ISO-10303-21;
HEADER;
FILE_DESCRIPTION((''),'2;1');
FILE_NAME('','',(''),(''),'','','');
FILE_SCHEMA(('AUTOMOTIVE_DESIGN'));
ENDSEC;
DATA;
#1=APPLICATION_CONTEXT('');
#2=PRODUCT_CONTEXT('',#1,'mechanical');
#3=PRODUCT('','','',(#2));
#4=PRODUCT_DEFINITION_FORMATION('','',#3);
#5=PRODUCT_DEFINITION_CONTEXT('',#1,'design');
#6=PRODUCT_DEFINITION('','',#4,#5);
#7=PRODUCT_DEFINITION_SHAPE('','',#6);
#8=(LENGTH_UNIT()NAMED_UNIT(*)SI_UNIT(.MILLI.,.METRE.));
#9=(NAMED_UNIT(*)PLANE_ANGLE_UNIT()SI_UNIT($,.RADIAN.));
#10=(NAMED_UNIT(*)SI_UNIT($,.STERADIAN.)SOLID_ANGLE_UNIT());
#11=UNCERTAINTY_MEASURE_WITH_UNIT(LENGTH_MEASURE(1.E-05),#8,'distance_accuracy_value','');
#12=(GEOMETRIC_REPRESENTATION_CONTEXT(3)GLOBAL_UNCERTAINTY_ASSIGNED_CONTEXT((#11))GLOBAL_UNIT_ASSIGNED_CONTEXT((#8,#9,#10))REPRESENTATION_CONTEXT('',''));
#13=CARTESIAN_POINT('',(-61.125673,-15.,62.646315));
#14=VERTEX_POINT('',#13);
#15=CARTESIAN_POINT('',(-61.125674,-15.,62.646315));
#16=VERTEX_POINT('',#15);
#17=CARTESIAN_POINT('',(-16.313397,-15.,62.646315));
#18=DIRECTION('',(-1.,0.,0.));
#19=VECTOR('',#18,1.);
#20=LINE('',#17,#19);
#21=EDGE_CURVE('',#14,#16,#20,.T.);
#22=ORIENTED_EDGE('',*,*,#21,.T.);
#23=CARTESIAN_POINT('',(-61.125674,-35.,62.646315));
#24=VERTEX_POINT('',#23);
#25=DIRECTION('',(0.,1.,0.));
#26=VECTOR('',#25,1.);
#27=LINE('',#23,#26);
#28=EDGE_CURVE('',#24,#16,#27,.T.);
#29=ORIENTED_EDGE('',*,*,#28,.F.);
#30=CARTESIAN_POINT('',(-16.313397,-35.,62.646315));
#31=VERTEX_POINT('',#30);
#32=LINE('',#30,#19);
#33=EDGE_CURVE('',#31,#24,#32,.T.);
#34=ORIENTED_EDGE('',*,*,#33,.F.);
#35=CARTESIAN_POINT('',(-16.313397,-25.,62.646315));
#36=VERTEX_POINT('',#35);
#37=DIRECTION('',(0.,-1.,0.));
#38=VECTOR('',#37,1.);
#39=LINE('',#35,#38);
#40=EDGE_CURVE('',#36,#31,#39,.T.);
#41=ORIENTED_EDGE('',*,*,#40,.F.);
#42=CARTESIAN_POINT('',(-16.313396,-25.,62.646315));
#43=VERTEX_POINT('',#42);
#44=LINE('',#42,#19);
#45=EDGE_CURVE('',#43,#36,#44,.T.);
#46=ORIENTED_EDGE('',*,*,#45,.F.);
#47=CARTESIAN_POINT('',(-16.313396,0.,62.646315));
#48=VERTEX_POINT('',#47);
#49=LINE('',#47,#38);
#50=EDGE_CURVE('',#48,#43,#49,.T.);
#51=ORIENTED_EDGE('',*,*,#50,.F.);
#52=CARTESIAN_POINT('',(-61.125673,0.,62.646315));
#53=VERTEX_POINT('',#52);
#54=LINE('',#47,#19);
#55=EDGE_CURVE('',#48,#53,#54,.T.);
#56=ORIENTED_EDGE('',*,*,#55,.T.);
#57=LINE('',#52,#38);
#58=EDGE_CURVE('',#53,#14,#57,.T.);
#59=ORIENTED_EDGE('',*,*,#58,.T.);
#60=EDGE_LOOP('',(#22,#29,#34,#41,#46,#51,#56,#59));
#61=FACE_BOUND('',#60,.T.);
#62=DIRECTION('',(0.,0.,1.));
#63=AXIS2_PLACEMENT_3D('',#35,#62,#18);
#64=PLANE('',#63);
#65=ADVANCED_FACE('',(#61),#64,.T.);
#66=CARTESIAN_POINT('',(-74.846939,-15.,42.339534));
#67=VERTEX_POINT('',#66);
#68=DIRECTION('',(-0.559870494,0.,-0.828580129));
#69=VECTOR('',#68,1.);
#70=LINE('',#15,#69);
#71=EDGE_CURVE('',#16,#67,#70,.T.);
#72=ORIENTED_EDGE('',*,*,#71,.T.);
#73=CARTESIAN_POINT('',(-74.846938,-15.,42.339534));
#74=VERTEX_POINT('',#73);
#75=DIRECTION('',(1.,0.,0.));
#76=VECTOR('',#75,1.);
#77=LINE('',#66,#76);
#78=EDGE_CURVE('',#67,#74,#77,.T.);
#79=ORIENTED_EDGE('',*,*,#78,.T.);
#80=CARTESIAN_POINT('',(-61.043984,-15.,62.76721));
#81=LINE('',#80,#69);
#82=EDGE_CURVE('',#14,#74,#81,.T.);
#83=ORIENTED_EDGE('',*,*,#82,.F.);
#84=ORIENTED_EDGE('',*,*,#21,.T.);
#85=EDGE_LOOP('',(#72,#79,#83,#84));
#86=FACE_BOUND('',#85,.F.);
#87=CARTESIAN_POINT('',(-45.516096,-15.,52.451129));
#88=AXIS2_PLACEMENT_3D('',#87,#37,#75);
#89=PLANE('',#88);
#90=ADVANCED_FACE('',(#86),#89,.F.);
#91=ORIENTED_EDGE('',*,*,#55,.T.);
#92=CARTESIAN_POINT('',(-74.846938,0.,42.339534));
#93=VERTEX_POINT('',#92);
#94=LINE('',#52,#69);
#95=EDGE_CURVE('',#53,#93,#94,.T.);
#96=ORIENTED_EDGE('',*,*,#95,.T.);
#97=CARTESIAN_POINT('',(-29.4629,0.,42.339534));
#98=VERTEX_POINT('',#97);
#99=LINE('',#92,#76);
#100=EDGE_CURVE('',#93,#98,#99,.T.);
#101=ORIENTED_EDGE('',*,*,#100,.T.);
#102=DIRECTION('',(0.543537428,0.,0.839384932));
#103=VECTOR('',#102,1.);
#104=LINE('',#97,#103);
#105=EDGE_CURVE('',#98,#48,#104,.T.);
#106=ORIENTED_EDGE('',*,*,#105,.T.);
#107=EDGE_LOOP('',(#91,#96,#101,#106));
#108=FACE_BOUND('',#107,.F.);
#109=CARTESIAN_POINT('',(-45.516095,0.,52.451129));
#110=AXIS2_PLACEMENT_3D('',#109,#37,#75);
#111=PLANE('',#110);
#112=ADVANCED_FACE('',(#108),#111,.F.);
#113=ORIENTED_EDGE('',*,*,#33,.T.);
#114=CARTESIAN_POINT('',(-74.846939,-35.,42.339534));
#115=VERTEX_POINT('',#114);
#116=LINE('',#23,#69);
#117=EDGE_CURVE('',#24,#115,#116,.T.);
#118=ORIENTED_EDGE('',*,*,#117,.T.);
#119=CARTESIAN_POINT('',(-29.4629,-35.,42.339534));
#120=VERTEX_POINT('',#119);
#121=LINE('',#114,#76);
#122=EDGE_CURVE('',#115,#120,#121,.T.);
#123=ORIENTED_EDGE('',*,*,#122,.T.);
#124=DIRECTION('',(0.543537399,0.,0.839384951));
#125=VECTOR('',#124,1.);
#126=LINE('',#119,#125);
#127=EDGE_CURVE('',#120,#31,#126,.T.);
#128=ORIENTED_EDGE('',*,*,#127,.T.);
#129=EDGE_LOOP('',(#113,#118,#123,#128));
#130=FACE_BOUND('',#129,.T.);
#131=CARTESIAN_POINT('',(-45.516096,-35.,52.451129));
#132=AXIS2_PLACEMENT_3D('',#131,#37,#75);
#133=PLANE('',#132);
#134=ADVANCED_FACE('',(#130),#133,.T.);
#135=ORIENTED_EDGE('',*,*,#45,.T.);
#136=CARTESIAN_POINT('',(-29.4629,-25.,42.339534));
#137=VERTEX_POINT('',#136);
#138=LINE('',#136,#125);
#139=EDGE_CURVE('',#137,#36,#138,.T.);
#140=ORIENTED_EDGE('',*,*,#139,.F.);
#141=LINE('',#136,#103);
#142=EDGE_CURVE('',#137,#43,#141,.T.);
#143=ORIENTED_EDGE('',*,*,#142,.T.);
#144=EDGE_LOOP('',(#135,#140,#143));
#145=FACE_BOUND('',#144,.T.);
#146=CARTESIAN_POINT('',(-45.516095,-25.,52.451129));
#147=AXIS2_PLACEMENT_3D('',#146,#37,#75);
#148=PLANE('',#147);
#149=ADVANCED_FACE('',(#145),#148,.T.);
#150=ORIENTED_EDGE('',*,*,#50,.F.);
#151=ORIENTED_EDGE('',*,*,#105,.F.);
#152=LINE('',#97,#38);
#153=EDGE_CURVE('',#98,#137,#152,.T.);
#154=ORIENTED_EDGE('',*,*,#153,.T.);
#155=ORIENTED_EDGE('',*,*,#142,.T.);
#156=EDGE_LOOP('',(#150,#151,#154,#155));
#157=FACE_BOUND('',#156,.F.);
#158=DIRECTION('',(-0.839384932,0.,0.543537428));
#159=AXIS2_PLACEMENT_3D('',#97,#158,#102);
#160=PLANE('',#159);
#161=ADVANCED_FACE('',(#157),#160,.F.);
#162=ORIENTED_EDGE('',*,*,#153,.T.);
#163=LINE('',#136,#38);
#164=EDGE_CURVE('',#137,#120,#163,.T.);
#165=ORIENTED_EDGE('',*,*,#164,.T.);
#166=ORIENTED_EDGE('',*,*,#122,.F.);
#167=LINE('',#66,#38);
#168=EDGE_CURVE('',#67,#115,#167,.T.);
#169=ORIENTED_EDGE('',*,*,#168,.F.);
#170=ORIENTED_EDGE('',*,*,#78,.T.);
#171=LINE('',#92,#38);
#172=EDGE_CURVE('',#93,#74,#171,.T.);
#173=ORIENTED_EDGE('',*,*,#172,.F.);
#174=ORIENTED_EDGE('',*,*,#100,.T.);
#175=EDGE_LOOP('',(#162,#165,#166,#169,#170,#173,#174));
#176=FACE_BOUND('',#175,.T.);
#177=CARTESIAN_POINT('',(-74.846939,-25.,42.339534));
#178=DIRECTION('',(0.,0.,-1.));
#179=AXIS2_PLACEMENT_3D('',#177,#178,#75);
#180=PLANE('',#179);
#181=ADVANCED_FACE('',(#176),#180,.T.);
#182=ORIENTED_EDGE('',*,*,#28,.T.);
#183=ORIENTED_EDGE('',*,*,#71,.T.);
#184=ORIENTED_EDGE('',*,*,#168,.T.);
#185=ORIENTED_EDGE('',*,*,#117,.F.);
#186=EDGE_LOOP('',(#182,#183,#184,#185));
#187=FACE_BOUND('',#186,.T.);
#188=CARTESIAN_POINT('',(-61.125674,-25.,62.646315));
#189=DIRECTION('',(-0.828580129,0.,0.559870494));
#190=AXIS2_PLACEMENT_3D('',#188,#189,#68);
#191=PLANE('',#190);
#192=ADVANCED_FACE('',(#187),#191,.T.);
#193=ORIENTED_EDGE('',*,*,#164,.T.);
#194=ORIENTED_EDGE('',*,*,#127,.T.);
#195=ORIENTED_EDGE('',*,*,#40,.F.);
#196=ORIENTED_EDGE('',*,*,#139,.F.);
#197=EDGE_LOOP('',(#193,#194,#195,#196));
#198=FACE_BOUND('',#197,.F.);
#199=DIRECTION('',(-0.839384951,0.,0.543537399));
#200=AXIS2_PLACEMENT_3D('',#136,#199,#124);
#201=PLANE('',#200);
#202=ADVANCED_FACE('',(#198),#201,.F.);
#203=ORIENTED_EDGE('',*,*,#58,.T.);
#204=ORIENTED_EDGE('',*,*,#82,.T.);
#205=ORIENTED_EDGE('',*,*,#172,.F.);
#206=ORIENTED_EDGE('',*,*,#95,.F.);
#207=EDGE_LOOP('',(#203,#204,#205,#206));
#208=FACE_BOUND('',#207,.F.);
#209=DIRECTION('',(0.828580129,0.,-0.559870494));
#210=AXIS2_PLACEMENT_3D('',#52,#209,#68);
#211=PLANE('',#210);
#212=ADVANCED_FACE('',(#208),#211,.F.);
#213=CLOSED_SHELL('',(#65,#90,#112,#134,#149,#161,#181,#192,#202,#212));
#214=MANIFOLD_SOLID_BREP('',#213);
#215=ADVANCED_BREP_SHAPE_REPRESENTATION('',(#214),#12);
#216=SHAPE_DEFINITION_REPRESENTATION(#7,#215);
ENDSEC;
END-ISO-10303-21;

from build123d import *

# Parameters (mm, degrees)
F1_DEPTH      = 25
F2_DEPTH      = 10
F2_DEPTH_BACK = 10


with BuildPart() as f1:
    # F0 (on Front) → F1 (new body)
    with BuildSketch(Plane.XZ):
        Polygon((-61.125673, 62.646315), (-74.846938, 42.339534), (-29.4629, 42.339534), (-16.313396, 62.646315), align=None)
    extrude(amount=F1_DEPTH)

    # F1_face (on face) → F2 (join, two sides)
    with BuildSketch(Plane(origin=(-45.451422, -25, 52.47147), x_dir=(1, 0, 0), z_dir=(0, -1, 0))) as f2_sk:
        Polygon((-15.674252, 10.174845), (-29.395517, -10.131936), (15.988522, -10.131936), (29.138025, 10.174845), align=None)
    extrude(amount=F2_DEPTH)
    extrude(f2_sk.sketch, amount=-F2_DEPTH_BACK)


solid = f1.part
